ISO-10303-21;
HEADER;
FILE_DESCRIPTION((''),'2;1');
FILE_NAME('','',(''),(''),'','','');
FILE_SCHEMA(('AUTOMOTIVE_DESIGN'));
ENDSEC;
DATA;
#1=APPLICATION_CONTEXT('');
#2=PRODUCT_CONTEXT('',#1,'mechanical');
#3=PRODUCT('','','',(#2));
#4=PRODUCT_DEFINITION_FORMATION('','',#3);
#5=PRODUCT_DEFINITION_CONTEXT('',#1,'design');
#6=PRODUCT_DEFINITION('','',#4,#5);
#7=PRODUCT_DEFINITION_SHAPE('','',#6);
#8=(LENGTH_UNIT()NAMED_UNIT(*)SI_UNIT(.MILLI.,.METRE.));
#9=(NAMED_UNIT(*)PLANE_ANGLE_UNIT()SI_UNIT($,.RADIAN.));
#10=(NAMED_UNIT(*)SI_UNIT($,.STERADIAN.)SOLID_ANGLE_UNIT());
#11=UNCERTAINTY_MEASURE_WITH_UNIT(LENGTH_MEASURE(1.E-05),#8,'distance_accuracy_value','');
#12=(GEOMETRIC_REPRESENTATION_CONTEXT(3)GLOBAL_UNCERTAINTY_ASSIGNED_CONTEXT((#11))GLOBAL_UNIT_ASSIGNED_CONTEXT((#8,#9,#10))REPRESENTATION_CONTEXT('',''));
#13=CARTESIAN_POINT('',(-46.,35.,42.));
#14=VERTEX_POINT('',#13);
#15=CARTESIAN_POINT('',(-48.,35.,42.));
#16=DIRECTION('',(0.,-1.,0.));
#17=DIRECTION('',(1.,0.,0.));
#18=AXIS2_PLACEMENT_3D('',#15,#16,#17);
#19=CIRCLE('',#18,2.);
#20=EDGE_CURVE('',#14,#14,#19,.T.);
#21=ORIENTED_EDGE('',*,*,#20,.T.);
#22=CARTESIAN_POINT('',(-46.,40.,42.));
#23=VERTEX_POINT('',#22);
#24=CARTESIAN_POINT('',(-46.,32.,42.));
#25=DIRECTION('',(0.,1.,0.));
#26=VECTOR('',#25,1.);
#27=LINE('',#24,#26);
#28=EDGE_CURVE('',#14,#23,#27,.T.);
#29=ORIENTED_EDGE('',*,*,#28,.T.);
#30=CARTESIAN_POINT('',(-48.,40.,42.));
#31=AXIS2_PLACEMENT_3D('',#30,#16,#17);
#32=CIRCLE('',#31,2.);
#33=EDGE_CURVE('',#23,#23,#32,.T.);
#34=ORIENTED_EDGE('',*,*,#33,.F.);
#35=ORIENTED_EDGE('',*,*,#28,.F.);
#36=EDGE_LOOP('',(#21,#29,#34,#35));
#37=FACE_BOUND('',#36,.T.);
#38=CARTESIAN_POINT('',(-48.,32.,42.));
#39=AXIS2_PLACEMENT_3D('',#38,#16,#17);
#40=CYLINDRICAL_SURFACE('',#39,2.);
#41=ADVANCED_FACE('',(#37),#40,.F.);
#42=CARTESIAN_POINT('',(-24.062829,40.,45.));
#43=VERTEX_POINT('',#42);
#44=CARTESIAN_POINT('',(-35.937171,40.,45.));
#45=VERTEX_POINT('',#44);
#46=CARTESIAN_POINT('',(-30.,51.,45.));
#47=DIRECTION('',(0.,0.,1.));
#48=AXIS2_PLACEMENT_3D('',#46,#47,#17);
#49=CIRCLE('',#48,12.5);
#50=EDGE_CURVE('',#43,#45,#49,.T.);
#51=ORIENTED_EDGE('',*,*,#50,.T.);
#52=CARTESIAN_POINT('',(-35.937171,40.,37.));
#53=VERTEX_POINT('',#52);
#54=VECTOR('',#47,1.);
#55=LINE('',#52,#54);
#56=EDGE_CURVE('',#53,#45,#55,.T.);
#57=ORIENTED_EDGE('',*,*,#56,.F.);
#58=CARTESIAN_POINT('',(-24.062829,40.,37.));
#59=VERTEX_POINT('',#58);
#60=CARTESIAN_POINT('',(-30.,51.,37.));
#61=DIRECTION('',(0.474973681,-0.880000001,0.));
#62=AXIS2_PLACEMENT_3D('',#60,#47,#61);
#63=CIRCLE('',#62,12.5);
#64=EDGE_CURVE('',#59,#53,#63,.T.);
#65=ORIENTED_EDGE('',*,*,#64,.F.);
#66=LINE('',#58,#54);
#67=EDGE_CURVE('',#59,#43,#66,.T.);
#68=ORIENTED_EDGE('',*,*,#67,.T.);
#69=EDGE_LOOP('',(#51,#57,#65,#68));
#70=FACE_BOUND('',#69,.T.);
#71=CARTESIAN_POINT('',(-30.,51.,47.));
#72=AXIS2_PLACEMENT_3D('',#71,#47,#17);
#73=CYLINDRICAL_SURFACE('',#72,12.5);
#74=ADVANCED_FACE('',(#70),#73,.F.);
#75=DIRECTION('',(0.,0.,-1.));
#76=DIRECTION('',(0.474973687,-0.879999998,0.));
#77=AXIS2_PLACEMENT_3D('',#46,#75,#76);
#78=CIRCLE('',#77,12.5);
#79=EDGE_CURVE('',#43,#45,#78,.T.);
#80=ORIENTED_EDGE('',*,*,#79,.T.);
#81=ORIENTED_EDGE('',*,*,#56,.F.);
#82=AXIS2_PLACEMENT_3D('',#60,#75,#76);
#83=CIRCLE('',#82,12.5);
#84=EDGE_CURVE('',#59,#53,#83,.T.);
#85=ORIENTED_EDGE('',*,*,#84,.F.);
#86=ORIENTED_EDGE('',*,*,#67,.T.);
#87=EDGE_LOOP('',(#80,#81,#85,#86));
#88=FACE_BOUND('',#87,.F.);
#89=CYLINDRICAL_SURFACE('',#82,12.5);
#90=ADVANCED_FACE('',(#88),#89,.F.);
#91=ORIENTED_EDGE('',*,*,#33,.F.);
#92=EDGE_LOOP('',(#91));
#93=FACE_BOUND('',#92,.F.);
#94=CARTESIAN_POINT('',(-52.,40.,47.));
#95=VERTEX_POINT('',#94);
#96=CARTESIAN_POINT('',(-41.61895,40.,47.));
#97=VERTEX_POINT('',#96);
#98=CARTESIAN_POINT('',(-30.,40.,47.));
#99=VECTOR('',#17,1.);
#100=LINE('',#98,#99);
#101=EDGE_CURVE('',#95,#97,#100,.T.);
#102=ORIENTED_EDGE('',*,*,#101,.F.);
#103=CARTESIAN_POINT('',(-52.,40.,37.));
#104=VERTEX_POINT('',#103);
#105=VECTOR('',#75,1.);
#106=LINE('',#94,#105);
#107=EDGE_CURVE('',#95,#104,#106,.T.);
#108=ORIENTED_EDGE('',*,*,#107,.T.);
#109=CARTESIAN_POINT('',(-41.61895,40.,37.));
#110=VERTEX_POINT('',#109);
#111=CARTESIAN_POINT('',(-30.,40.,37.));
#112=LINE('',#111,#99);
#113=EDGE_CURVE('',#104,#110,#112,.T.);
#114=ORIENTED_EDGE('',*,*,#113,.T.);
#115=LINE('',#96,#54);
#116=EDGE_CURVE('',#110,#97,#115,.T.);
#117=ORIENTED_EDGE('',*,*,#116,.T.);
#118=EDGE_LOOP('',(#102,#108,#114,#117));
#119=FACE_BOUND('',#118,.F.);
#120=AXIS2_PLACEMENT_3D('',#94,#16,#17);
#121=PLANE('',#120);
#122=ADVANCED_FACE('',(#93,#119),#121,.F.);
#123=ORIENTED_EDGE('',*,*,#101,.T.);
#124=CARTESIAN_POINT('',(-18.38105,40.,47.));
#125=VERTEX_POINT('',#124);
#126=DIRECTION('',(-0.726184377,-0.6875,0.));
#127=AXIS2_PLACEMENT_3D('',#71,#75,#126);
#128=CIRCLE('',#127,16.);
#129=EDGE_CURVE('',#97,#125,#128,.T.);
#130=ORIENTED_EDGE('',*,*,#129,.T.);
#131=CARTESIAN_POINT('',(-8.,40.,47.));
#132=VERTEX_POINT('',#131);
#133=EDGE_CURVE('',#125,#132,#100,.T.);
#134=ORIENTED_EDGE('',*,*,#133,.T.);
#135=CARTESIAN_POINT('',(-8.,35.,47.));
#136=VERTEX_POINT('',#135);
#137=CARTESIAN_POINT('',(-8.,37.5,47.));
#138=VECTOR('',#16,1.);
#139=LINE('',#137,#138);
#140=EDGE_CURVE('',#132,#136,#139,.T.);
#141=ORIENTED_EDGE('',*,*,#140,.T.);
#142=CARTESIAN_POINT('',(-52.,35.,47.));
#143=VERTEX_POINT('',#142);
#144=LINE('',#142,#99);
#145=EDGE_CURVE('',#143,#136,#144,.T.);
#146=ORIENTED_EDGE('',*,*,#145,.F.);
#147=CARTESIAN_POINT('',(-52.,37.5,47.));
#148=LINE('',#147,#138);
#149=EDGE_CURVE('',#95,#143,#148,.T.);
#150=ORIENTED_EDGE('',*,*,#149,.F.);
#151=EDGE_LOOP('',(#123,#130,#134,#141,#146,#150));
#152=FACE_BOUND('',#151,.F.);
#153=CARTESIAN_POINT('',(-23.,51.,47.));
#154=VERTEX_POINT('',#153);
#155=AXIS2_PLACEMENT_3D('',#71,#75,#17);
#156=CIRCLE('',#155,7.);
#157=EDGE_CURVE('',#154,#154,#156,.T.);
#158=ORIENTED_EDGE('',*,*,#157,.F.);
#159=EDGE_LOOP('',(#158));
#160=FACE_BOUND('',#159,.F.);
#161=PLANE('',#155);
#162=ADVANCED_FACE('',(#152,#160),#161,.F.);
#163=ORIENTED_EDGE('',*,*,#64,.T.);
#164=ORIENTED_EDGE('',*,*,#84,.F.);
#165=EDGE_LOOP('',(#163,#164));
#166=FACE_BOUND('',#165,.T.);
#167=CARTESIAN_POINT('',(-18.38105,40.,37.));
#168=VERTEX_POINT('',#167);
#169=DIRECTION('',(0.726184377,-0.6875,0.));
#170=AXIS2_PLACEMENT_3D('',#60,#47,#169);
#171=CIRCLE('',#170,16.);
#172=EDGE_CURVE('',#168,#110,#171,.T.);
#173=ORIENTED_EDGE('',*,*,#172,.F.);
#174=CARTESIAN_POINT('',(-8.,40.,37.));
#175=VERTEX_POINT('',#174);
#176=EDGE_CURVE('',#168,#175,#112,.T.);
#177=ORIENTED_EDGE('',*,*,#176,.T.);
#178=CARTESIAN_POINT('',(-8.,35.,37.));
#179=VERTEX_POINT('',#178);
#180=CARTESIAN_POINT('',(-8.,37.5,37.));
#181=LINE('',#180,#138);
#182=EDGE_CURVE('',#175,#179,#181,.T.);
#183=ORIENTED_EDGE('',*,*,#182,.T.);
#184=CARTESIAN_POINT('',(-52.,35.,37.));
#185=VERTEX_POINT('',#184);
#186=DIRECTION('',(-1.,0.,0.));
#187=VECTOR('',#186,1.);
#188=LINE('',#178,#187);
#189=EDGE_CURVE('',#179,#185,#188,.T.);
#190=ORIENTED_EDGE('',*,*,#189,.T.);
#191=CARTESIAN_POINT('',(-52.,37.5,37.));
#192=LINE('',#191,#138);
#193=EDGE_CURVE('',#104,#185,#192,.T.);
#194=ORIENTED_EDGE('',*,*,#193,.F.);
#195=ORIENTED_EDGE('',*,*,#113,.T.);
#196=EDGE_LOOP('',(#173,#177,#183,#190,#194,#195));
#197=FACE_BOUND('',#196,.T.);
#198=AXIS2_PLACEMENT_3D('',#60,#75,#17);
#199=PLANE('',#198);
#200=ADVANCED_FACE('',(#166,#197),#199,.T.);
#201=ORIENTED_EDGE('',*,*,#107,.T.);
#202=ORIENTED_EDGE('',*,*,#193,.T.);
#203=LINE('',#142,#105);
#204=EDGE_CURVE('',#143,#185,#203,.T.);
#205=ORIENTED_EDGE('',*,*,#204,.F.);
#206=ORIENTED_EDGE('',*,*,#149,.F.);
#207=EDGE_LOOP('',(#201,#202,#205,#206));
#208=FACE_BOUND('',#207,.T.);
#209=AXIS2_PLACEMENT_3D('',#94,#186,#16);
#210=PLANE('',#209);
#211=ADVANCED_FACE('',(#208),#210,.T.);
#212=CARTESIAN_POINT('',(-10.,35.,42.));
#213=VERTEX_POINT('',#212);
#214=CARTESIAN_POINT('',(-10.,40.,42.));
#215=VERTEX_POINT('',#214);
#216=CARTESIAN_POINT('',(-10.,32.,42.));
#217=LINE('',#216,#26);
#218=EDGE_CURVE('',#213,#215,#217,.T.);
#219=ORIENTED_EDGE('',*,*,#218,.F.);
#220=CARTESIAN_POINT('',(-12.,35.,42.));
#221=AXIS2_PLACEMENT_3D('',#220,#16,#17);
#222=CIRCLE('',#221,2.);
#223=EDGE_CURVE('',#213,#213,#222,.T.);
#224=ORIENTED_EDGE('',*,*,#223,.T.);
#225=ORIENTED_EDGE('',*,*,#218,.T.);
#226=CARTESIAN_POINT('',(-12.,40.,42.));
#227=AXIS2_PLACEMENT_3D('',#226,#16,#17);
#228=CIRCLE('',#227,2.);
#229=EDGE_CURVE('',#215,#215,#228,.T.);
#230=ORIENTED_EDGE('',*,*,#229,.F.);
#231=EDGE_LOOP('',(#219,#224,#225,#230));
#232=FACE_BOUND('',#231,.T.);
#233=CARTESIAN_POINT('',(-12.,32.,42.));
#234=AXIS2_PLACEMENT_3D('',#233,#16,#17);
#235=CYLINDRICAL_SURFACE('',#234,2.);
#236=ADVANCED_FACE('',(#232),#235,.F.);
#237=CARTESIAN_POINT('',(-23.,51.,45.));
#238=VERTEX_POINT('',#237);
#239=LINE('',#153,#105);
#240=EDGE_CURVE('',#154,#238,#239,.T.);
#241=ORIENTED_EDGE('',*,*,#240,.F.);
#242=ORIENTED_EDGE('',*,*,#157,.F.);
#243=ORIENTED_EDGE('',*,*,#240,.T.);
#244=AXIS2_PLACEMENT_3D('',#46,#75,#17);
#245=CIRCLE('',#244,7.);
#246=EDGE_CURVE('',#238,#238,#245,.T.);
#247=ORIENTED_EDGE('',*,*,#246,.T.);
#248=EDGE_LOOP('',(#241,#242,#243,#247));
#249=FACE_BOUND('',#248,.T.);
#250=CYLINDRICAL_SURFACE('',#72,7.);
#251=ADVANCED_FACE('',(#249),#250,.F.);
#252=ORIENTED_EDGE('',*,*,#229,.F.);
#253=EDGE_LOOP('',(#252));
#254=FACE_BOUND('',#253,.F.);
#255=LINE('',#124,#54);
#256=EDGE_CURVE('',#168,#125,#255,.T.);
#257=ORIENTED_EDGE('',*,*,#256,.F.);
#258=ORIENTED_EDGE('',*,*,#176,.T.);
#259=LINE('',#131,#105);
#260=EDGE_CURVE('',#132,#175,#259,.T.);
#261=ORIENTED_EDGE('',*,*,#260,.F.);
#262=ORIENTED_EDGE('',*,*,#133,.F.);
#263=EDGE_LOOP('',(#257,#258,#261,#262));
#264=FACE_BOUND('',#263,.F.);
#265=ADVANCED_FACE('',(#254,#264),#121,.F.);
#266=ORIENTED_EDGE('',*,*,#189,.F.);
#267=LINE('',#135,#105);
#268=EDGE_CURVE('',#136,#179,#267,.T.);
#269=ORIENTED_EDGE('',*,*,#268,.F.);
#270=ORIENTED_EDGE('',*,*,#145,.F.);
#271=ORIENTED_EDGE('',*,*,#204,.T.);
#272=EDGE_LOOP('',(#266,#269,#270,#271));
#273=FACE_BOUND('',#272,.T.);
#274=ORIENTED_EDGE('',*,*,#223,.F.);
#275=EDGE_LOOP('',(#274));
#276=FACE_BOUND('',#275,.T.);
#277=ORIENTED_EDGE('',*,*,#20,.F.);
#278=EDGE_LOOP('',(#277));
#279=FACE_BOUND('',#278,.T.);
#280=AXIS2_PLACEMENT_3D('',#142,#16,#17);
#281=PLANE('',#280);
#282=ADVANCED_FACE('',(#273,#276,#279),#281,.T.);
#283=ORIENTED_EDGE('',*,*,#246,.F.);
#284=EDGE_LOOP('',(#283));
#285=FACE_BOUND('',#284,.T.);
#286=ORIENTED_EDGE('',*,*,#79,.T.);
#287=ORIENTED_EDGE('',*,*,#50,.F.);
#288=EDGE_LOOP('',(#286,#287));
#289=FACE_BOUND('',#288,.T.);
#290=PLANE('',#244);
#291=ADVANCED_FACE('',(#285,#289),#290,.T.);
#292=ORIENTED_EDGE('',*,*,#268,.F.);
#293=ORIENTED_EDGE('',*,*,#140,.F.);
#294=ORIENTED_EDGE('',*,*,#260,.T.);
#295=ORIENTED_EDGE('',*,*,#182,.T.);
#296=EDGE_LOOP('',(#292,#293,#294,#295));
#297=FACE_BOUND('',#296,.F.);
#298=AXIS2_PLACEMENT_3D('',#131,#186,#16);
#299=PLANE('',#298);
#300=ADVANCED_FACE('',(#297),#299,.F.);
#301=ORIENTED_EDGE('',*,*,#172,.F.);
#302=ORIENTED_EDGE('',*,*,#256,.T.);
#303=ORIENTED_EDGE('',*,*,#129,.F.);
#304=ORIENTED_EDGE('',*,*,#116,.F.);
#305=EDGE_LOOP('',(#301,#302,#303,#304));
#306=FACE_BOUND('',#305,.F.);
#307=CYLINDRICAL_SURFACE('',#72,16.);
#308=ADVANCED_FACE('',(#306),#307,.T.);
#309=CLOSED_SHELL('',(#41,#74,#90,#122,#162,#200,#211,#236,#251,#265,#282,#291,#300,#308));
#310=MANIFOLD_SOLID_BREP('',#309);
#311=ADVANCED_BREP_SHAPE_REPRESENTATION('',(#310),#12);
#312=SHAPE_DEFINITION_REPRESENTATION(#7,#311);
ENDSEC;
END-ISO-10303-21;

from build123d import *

# Parameters (mm, degrees)
CYLINDER032_R             = 12.5
CYLINDER032_DEPTH         = 35
CYLINDER030_R             = 16
CYLINDER030_DEPTH         = 10
CYLINDER033_R             = 7
CYLINDER033_DEPTH         = 2
CYLINDER034_R             = 14
CYLINDER034_DEPTH         = 2
CYLINDER031_R             = 2
CYLINDER031_DEPTH         = 10
CYLINDER031_ROLL_ANGLE    = 90
ARRAY004_X_COUNT          = 2
ARRAY004_X_PITCH          = 36
BOX014_W                  = 44
BOX014_H                  = 5
BOX014_DEPTH              = 10
POCKET_DEPTH              = 8
FUSION026_PLACEMENT_ANGLE = 180


with BuildPart() as cylinder032:
    # Cylinder032 → Cylinder032 (new body)
    with BuildSketch(Plane.XY):
        Circle(CYLINDER032_R)
    extrude(amount=CYLINDER032_DEPTH)


with BuildPart() as cuerpo_arandela001:
    # Cylinder030 → Cylinder030 (new body)
    with BuildSketch(Plane.XY):
        Circle(CYLINDER030_R)
    extrude(amount=CYLINDER030_DEPTH)

    # Cut004024: cut Cylinder032
    add(cylinder032.part, mode=Mode.SUBTRACT)


with BuildPart() as cylinder033:
    # Cylinder033 → Cylinder033 (new body)
    with BuildSketch(Plane.XY):
        Circle(CYLINDER033_R)
    extrude(amount=CYLINDER033_DEPTH)


with BuildPart() as tapa_arandela001:
    # Cylinder034 → Cylinder034 (new body)
    with BuildSketch(Plane.XY):
        Circle(CYLINDER034_R)
    extrude(amount=CYLINDER034_DEPTH)

    # Cut004025: cut Cylinder033
    add(cylinder033.part, mode=Mode.SUBTRACT)


with BuildPart() as array004:
    # Cylinder031 → Cylinder031 (new body)
    with BuildSketch(Plane.XY):
        Circle(CYLINDER031_R)
    extrude(amount=CYLINDER031_DEPTH)


with BuildPart() as array004_1:
    # Cylinder031 roll: moved
    add(array004.part.rotate(Axis((0, 0, 0), (1, 0, 0)), CYLINDER031_ROLL_ANGLE))


with BuildPart() as array004_2:
    # Cylinder031 placement: moved
    add(array004_1.part.moved(Location((18, 8, 5))))

    # Array004 X: Array004 ×2


with BuildPart() as array004_3:
    add(array004_2.part)
    with Locations(*[(-i * ARRAY004_X_PITCH, 0, 0) for i in range(1, ARRAY004_X_COUNT)]):
        add(array004_2.part)


with BuildPart() as porta_rodamiento_grande:
    # Box014 → Box014 (new body)
    with BuildSketch(Plane(origin=(-22, 0, 0), x_dir=(1, 0, 0), z_dir=(0, 0, 1))):
        with Locations((22, 2.5)):
            Rectangle(BOX014_W, BOX014_H)
    extrude(amount=BOX014_DEPTH)

    # Cut004026: cut Array004
    add(array004_3.part, mode=Mode.SUBTRACT)


with BuildPart() as porta_rodamiento_grande_1:
    # Cut004026 placement: moved
    add(porta_rodamiento_grande.part.moved(Location((0, 11, 0))))

    # Sketch001 → Pocket (cut)
    with BuildSketch(Plane(origin=(0, 11, 10), x_dir=(1, 0, 0), z_dir=(0, 0, 1))):
        with BuildLine():
            ThreePointArc((5.937171, 0), (0, 1.5), (-5.937171, 0))
            Line((-5.937171, 0), (5.937171, 0))
        make_face()
    extrude(amount=-POCKET_DEPTH, mode=Mode.SUBTRACT)

    # Fusion026: union cuerpo-arandela001, tapa-arandela001
    add(cuerpo_arandela001.part)
    add(tapa_arandela001.part)


with BuildPart() as porta_rodamiento_grande_2:
    # Fusion026 placement: moved
    add(porta_rodamiento_grande_1.part.moved(Location((-30, 51, 47))).rotate(Axis((-30, 51, 47), (1, 0, 0)), FUSION026_PLACEMENT_ANGLE))


solid = porta_rodamiento_grande_2.part
